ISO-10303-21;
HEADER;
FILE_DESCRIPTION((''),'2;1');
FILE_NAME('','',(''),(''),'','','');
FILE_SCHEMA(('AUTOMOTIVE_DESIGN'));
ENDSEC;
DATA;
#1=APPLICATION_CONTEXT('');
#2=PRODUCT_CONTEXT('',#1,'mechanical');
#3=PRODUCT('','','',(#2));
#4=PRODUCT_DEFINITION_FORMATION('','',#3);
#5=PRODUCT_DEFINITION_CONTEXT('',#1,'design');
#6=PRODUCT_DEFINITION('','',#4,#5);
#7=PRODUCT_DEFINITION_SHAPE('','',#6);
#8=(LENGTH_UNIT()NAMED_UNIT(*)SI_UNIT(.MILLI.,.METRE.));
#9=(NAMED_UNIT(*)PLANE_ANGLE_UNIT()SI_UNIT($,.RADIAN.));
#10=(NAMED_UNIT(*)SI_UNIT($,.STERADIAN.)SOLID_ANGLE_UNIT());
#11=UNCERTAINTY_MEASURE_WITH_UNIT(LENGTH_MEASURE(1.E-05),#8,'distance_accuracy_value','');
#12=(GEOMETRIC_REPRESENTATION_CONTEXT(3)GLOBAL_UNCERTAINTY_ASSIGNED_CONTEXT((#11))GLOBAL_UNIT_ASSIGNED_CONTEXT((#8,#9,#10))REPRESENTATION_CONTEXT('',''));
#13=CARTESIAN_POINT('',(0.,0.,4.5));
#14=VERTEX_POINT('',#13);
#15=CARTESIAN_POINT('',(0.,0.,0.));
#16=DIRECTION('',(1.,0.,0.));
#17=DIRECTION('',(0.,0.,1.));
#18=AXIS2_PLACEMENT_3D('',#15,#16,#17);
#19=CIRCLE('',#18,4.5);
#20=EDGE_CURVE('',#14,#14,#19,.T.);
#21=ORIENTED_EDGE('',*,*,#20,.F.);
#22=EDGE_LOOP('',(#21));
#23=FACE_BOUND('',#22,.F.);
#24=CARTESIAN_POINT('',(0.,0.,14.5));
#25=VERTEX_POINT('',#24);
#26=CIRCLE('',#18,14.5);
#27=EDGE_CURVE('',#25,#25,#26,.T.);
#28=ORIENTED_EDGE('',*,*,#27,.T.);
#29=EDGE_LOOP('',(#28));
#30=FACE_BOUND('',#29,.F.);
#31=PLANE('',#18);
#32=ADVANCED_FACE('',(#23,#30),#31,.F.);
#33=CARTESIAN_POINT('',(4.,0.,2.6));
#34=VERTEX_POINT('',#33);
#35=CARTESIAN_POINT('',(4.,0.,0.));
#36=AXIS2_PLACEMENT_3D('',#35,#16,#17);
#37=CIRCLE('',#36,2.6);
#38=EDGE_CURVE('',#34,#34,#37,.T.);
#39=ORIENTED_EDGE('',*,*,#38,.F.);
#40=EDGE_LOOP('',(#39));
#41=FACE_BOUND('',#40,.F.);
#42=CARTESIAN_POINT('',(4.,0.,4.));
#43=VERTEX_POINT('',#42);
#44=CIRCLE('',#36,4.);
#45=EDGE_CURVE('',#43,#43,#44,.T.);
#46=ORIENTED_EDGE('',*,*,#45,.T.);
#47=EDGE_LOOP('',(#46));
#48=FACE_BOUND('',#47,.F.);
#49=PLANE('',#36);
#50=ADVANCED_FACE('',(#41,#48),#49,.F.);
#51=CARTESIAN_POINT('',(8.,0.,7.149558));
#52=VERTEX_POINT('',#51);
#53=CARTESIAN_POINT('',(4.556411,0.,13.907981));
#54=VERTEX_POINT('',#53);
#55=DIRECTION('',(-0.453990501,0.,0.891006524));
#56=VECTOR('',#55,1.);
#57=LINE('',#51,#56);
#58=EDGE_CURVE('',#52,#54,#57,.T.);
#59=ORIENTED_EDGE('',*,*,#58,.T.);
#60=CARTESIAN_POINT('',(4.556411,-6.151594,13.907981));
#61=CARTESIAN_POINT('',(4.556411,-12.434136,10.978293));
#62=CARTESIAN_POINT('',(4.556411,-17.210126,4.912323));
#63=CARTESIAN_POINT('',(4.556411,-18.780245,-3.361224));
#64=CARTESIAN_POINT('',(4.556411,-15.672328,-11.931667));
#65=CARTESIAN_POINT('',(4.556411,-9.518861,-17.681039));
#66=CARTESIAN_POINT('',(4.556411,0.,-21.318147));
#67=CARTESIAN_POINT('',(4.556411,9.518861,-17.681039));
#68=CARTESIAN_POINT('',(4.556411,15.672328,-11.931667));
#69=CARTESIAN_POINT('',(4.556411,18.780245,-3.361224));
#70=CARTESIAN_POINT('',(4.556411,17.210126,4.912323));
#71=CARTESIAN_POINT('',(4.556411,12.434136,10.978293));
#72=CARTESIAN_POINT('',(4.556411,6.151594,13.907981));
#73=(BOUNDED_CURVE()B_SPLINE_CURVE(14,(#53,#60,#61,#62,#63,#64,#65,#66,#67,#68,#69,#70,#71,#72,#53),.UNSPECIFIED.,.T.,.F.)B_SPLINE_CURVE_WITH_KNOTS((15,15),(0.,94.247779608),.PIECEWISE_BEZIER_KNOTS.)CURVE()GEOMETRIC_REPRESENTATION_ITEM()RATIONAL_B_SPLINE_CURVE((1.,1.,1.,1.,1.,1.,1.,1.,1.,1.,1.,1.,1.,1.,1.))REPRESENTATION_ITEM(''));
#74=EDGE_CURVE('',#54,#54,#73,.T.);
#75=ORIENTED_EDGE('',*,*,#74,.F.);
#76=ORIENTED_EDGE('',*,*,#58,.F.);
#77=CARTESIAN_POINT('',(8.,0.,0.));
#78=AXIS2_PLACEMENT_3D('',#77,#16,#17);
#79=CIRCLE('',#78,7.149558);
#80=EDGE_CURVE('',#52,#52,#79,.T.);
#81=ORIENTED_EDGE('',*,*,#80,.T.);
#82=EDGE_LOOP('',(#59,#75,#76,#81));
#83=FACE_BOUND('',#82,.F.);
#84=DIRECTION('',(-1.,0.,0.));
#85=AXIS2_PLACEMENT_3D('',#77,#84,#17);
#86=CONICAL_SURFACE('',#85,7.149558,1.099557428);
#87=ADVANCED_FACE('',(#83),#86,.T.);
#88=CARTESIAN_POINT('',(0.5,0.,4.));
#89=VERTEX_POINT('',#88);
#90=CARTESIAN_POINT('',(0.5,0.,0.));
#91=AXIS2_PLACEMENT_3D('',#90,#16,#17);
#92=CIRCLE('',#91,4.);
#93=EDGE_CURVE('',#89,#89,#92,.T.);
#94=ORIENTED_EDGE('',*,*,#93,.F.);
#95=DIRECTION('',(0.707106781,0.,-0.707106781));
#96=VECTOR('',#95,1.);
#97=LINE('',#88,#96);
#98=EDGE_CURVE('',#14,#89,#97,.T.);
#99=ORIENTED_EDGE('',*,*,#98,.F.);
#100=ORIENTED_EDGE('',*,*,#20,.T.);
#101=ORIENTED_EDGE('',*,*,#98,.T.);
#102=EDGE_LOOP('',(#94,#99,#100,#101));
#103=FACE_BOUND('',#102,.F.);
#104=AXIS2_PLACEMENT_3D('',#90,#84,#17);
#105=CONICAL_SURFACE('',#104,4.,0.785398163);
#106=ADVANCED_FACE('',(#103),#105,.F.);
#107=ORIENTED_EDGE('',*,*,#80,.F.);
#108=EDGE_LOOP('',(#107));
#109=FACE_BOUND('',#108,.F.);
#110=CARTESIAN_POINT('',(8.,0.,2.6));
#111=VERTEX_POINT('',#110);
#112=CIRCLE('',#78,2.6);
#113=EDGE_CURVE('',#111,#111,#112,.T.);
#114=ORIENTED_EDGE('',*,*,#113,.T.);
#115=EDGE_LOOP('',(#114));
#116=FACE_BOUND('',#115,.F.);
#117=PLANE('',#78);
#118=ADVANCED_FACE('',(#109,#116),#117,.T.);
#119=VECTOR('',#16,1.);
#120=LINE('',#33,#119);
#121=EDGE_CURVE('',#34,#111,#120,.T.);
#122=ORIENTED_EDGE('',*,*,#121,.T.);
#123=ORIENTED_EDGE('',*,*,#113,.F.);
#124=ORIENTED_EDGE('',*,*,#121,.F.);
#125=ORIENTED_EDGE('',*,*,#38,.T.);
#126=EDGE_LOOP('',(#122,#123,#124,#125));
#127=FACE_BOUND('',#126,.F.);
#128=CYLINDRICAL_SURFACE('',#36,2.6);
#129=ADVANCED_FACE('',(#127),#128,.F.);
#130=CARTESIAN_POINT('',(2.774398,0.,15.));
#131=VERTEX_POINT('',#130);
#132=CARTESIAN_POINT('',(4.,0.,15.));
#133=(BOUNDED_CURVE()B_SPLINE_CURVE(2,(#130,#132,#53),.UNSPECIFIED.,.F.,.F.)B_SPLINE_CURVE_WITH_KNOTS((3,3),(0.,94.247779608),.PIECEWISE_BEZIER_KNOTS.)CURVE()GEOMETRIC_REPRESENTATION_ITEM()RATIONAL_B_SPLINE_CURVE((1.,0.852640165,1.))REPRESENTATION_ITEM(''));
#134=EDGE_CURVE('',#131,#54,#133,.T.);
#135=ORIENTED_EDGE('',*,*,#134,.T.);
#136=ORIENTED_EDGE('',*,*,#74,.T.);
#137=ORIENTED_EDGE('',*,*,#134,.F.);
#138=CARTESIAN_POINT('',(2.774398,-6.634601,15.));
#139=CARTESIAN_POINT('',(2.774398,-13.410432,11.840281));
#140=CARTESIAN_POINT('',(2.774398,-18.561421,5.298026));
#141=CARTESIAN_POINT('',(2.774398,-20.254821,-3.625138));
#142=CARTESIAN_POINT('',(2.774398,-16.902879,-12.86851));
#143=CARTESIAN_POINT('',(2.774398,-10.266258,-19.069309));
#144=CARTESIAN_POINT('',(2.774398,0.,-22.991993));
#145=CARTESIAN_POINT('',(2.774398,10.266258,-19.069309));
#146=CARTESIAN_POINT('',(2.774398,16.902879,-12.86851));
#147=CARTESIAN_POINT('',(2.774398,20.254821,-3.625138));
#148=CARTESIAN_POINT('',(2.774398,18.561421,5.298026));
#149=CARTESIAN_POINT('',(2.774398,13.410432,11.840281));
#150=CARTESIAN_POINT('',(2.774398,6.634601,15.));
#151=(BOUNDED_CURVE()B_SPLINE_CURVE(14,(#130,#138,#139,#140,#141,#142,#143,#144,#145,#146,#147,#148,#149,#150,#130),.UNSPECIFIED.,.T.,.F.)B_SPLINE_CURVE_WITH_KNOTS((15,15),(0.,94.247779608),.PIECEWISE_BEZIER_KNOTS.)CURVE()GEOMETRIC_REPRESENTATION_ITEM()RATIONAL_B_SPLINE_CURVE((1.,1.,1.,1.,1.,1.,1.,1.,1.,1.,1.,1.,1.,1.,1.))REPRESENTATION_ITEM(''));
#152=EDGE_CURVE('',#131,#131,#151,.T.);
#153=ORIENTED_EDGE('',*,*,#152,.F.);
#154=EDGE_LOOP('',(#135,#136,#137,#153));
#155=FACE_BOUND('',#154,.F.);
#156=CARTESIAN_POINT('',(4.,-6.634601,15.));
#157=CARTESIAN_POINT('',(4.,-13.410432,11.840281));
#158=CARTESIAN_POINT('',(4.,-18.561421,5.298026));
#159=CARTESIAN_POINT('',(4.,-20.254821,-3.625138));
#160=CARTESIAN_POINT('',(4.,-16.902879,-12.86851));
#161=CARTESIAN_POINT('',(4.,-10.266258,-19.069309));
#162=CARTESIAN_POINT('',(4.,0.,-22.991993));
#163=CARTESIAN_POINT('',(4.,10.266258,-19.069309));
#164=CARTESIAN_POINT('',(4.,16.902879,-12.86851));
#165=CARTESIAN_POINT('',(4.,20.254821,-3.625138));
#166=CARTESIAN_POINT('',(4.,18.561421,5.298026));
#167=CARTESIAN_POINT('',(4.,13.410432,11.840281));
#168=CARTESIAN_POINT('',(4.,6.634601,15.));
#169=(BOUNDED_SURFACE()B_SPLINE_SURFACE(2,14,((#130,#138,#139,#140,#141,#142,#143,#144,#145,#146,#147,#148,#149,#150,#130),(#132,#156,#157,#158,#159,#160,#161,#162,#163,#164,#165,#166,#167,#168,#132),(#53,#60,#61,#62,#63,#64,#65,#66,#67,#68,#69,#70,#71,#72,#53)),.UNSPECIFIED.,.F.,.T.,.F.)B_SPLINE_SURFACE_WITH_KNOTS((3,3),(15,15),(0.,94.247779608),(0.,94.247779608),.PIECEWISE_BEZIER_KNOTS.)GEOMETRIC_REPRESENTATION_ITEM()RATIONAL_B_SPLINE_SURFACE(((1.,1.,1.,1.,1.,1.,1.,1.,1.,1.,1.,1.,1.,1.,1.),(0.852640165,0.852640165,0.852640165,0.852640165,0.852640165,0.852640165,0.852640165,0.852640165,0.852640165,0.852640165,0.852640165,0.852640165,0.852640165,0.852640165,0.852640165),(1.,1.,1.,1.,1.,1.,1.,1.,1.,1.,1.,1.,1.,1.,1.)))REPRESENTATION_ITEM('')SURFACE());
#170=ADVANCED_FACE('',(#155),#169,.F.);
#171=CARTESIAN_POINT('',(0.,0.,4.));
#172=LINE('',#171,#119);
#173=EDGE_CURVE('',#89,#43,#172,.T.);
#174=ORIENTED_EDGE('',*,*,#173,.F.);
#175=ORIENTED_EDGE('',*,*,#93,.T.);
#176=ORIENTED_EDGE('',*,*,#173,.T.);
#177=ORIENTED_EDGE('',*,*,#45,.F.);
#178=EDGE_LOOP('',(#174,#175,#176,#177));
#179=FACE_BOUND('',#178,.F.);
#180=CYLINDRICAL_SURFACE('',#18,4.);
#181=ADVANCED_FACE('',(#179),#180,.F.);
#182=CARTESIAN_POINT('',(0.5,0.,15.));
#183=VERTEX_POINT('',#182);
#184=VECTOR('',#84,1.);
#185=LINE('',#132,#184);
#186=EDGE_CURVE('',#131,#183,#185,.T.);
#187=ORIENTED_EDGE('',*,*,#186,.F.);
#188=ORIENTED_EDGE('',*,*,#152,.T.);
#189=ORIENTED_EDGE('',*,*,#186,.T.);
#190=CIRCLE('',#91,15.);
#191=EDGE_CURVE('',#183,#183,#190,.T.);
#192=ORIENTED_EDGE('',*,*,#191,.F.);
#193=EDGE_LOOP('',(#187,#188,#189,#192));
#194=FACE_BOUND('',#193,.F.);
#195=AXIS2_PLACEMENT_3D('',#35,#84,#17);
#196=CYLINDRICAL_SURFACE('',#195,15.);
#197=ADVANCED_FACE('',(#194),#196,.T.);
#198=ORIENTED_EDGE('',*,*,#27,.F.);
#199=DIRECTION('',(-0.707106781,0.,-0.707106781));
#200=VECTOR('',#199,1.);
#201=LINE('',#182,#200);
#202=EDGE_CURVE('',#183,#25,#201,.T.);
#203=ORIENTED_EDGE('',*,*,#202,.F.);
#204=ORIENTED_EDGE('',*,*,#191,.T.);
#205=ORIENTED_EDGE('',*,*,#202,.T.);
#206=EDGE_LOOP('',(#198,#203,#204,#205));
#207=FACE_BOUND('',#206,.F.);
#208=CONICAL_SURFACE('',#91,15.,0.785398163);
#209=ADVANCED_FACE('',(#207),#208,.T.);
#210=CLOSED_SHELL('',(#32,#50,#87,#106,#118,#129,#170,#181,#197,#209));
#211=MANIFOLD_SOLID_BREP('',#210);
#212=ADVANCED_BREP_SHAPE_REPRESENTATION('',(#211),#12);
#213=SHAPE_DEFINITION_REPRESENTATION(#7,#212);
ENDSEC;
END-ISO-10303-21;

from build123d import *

# Parameters (mm, degrees)
F2_R    = 2
F3_SIZE = 0.5


with BuildPart() as f1:
    # F0 (on Front) → F1 (revolve)
    with BuildSketch(Plane.XZ):
        Polygon((4, 15), (0, 15), (0, 4), (4, 4), (4, 2.6), (8, 2.6), (8, 7.149558), align=None)
    revolve(axis=Axis((12.800059, 0, 0), (1, 0, 0)))

    # F2
    f2_edges = [f1.edges().sort_by_distance(p)[0] for p in [
        (4, 0, -15),
    ]]
    fillet(f2_edges, radius=F2_R)

    # F3
    f3_edges = [f1.edges().sort_by_distance(p)[0] for p in [
        (0, 0, -4),
        (0, 0, -15),
    ]]
    chamfer(f3_edges, length=F3_SIZE)


solid = f1.part
